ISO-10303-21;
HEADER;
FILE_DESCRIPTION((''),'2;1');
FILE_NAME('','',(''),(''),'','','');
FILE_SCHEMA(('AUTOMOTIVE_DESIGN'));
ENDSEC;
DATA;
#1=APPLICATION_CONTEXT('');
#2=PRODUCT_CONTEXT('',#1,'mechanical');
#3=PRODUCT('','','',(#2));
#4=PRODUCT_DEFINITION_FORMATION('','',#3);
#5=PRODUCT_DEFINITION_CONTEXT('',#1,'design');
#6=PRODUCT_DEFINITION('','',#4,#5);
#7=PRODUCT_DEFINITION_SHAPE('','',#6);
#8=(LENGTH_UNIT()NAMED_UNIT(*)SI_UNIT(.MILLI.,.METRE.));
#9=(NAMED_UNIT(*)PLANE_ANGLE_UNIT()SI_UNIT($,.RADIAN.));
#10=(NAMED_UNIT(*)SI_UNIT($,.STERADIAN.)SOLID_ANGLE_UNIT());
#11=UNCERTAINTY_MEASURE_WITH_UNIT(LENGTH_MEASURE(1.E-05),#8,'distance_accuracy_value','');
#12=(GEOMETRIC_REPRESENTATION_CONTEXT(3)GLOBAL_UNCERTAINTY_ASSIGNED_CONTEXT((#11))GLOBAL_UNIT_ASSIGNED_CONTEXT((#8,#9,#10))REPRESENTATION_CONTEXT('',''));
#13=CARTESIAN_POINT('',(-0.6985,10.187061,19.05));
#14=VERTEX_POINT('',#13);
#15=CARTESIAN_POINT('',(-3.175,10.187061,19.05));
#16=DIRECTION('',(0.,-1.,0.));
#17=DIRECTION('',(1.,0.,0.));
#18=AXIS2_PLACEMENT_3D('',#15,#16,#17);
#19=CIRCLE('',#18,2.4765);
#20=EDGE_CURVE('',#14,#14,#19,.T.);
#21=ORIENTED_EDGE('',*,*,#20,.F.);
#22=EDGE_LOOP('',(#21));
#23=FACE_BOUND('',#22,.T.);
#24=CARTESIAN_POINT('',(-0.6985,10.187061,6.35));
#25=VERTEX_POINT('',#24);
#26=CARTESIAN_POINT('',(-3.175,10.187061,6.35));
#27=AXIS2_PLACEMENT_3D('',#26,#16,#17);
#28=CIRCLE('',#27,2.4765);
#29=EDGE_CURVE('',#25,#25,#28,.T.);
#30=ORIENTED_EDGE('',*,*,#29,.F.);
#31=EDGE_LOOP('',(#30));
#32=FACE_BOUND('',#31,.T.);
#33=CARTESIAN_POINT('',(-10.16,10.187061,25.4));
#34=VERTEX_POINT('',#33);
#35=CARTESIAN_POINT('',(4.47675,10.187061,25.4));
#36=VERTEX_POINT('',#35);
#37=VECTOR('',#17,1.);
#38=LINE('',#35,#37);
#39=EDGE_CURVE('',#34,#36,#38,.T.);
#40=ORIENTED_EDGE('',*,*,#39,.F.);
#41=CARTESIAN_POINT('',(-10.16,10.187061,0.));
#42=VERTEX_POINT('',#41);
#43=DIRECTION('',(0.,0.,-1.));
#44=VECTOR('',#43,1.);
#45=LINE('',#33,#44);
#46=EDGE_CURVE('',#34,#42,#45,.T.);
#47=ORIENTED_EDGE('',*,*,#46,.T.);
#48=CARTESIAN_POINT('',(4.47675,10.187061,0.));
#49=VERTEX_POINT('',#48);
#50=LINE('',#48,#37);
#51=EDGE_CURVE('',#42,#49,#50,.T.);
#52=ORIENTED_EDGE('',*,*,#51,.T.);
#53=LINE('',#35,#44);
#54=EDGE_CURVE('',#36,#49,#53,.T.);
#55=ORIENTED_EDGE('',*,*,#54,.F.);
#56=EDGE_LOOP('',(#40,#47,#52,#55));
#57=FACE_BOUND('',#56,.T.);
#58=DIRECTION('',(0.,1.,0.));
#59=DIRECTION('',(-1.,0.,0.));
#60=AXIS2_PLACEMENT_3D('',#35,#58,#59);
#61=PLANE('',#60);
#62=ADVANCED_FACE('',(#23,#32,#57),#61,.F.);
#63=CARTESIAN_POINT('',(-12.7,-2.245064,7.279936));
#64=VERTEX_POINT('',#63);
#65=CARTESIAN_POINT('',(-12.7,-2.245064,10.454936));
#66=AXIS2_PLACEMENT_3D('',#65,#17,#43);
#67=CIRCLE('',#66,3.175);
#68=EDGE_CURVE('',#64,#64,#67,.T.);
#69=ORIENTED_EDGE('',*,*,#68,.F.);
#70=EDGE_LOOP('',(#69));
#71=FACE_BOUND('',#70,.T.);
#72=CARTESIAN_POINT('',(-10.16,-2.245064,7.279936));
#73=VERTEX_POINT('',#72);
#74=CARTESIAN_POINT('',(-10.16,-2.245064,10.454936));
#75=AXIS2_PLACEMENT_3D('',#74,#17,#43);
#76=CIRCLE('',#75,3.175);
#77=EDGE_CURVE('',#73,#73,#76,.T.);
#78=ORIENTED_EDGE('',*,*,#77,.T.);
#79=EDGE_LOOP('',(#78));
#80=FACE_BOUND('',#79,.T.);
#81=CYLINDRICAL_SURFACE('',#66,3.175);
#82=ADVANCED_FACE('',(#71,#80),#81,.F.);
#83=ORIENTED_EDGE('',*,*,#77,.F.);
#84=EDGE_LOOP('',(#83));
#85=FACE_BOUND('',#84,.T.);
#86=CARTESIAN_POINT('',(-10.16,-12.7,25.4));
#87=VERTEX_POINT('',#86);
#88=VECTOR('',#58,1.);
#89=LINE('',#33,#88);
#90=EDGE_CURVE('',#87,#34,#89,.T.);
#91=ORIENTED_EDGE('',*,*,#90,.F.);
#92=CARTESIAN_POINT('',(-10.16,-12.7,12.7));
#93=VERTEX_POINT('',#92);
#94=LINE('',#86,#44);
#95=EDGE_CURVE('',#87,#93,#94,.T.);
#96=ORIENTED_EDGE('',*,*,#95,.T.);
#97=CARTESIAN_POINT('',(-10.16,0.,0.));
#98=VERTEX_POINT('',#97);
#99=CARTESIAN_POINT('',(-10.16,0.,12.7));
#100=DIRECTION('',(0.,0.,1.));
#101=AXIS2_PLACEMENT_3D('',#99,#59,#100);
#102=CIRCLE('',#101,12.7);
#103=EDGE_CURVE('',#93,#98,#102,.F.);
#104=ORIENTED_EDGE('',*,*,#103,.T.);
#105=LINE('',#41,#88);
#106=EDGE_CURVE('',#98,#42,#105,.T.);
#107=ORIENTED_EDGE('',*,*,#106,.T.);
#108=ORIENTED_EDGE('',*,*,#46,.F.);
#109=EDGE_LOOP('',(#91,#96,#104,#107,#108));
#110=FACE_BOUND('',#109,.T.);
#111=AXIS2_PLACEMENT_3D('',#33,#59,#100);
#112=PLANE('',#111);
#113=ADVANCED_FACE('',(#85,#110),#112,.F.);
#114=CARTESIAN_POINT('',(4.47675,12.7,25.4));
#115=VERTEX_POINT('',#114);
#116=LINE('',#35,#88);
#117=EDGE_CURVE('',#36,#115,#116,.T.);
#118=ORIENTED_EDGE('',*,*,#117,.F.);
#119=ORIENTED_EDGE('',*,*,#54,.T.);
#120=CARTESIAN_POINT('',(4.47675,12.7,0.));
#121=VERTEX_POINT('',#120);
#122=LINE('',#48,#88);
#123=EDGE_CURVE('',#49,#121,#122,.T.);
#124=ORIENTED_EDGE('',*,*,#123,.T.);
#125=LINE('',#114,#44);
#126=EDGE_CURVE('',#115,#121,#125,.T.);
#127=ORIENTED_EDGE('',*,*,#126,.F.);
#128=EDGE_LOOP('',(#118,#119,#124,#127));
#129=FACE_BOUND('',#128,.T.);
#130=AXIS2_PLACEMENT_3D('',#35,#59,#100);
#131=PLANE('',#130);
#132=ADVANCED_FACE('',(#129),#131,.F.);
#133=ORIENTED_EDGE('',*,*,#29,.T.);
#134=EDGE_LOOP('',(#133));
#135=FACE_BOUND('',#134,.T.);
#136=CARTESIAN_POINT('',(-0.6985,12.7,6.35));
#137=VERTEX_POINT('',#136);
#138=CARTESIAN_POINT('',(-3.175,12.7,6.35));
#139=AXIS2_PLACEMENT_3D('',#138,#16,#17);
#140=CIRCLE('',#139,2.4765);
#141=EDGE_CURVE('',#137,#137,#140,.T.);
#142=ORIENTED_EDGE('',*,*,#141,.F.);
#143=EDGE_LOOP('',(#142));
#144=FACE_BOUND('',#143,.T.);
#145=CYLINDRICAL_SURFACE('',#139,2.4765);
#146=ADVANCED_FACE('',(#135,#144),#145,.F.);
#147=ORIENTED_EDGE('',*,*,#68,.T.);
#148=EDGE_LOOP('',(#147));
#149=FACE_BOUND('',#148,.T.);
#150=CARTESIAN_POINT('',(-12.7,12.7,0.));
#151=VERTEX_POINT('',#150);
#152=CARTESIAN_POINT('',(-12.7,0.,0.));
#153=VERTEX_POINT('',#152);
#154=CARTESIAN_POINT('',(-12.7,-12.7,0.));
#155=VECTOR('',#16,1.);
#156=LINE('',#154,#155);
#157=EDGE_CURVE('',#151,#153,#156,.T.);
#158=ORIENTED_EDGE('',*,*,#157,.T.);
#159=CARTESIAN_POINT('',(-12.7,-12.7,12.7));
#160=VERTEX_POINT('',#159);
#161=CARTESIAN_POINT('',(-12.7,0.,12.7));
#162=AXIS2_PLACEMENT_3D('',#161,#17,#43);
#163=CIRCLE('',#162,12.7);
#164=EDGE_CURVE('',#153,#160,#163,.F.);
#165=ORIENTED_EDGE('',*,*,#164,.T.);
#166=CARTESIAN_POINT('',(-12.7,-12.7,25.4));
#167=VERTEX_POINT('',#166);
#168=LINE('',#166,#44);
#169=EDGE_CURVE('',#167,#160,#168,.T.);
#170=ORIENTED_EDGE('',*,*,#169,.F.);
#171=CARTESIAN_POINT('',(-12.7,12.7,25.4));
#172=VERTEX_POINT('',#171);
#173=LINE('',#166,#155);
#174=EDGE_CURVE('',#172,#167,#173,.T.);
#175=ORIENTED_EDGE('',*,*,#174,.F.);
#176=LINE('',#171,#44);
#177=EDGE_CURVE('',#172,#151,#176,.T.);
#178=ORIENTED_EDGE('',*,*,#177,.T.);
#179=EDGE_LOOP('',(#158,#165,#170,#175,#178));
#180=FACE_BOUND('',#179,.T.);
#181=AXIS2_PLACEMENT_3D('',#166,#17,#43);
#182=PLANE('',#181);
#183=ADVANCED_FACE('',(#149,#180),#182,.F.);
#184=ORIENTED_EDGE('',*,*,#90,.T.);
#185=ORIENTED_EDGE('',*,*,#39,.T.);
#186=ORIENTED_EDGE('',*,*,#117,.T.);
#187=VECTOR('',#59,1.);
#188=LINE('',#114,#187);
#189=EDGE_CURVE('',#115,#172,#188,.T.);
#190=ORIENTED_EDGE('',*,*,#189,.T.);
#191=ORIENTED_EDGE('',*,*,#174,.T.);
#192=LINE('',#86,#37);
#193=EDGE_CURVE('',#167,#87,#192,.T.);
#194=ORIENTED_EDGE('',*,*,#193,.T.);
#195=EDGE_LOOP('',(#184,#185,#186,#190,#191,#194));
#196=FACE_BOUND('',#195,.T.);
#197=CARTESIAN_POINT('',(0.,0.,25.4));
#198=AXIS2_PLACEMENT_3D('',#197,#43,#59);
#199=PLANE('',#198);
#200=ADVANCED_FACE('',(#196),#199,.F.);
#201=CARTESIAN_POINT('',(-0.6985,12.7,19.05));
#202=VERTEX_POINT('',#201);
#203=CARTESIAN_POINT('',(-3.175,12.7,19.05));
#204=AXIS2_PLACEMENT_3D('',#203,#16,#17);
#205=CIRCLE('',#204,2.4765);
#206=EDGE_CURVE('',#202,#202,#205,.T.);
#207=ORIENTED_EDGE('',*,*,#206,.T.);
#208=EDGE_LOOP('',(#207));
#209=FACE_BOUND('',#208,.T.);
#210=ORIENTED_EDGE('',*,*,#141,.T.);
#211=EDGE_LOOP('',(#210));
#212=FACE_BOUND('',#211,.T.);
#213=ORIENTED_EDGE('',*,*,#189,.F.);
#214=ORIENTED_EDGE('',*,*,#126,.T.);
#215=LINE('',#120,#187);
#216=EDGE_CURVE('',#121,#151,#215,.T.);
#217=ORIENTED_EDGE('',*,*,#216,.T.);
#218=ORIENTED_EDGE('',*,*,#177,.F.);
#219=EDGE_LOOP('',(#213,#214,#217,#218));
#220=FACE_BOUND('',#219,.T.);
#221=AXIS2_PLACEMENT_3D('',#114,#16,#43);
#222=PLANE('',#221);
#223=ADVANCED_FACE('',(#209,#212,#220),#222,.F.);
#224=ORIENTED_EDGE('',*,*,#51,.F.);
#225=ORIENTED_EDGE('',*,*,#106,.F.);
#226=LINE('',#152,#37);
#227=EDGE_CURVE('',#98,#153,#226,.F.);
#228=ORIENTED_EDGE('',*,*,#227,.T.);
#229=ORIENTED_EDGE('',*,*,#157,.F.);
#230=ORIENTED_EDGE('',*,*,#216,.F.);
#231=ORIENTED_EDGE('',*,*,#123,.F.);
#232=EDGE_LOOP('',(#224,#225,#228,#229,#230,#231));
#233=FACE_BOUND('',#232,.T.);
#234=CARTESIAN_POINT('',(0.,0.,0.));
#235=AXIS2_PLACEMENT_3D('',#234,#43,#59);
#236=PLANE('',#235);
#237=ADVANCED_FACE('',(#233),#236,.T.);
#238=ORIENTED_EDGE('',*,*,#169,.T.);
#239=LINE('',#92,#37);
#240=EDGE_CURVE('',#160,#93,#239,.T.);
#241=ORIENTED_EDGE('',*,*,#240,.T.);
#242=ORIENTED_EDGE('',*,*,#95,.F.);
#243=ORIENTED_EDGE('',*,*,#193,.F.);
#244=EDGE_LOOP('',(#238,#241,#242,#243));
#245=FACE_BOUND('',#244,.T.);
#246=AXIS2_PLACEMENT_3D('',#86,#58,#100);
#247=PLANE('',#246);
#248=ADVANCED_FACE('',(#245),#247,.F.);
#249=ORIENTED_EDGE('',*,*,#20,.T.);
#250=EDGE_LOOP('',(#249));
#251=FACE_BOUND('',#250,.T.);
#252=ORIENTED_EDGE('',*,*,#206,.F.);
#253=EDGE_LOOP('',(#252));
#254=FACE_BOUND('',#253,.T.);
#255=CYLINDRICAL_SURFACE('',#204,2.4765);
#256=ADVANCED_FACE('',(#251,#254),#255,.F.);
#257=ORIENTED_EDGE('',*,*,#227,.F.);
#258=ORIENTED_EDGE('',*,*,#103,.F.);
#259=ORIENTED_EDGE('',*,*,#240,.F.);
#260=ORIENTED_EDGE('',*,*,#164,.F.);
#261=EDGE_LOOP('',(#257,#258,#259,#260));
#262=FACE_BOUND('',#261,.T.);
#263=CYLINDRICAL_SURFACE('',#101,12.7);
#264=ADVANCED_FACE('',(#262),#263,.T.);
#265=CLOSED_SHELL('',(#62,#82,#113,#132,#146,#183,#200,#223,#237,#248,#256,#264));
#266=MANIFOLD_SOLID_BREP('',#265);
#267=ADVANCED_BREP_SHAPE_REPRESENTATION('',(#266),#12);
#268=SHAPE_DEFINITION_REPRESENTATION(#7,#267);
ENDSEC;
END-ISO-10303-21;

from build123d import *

# Parameters (mm, degrees)
BOSS_EXTRUDE1_DEPTH = 25.4
FILLET1_R           = 12.7
SKETCH2_R           = 3.175
CUT_EXTRUDE1_DEPTH  = 3.54
SKETCH3_R           = 2.4765
CUT_EXTRUDE2_DEPTH  = 3.512939161


with BuildPart() as part:
    # Sketch1 → Boss-Extrude1 (new body)
    with BuildSketch(Plane.XY):
        Polygon((-12.7, -12.7), (-12.7, 12.7), (4.47675, 12.7), (4.47675, 10.187060839), (-10.16, 10.187060839), (-10.16, -12.7), align=None)
    extrude(amount=BOSS_EXTRUDE1_DEPTH)

    # Fillet1
    fillet1_edges = [part.edges().sort_by_distance(p)[0] for p in [
        (-11.43, -12.7, 0),
    ]]
    fillet(fillet1_edges, radius=FILLET1_R)

    # Sketch2 → Cut-Extrude1 (cut, through all)
    with BuildSketch(Plane(origin=(-10.16, 0, 0), x_dir=(0, 0, -1), z_dir=(1, 0, 0))):
        with Locations((-10.45493597, -2.24506403)):
            Circle(SKETCH2_R)
    extrude(amount=-CUT_EXTRUDE1_DEPTH, mode=Mode.SUBTRACT)

    # Sketch3 → Cut-Extrude2 (cut, through all)
    with BuildSketch(Plane.XZ.offset(-10.187060839)):
        with Locations((-3.175, 19.05)):
            Circle(SKETCH3_R)
        with Locations((-3.175, 6.35)):
            Circle(SKETCH3_R)
    extrude(amount=-CUT_EXTRUDE2_DEPTH, mode=Mode.SUBTRACT)


solid = part.part
